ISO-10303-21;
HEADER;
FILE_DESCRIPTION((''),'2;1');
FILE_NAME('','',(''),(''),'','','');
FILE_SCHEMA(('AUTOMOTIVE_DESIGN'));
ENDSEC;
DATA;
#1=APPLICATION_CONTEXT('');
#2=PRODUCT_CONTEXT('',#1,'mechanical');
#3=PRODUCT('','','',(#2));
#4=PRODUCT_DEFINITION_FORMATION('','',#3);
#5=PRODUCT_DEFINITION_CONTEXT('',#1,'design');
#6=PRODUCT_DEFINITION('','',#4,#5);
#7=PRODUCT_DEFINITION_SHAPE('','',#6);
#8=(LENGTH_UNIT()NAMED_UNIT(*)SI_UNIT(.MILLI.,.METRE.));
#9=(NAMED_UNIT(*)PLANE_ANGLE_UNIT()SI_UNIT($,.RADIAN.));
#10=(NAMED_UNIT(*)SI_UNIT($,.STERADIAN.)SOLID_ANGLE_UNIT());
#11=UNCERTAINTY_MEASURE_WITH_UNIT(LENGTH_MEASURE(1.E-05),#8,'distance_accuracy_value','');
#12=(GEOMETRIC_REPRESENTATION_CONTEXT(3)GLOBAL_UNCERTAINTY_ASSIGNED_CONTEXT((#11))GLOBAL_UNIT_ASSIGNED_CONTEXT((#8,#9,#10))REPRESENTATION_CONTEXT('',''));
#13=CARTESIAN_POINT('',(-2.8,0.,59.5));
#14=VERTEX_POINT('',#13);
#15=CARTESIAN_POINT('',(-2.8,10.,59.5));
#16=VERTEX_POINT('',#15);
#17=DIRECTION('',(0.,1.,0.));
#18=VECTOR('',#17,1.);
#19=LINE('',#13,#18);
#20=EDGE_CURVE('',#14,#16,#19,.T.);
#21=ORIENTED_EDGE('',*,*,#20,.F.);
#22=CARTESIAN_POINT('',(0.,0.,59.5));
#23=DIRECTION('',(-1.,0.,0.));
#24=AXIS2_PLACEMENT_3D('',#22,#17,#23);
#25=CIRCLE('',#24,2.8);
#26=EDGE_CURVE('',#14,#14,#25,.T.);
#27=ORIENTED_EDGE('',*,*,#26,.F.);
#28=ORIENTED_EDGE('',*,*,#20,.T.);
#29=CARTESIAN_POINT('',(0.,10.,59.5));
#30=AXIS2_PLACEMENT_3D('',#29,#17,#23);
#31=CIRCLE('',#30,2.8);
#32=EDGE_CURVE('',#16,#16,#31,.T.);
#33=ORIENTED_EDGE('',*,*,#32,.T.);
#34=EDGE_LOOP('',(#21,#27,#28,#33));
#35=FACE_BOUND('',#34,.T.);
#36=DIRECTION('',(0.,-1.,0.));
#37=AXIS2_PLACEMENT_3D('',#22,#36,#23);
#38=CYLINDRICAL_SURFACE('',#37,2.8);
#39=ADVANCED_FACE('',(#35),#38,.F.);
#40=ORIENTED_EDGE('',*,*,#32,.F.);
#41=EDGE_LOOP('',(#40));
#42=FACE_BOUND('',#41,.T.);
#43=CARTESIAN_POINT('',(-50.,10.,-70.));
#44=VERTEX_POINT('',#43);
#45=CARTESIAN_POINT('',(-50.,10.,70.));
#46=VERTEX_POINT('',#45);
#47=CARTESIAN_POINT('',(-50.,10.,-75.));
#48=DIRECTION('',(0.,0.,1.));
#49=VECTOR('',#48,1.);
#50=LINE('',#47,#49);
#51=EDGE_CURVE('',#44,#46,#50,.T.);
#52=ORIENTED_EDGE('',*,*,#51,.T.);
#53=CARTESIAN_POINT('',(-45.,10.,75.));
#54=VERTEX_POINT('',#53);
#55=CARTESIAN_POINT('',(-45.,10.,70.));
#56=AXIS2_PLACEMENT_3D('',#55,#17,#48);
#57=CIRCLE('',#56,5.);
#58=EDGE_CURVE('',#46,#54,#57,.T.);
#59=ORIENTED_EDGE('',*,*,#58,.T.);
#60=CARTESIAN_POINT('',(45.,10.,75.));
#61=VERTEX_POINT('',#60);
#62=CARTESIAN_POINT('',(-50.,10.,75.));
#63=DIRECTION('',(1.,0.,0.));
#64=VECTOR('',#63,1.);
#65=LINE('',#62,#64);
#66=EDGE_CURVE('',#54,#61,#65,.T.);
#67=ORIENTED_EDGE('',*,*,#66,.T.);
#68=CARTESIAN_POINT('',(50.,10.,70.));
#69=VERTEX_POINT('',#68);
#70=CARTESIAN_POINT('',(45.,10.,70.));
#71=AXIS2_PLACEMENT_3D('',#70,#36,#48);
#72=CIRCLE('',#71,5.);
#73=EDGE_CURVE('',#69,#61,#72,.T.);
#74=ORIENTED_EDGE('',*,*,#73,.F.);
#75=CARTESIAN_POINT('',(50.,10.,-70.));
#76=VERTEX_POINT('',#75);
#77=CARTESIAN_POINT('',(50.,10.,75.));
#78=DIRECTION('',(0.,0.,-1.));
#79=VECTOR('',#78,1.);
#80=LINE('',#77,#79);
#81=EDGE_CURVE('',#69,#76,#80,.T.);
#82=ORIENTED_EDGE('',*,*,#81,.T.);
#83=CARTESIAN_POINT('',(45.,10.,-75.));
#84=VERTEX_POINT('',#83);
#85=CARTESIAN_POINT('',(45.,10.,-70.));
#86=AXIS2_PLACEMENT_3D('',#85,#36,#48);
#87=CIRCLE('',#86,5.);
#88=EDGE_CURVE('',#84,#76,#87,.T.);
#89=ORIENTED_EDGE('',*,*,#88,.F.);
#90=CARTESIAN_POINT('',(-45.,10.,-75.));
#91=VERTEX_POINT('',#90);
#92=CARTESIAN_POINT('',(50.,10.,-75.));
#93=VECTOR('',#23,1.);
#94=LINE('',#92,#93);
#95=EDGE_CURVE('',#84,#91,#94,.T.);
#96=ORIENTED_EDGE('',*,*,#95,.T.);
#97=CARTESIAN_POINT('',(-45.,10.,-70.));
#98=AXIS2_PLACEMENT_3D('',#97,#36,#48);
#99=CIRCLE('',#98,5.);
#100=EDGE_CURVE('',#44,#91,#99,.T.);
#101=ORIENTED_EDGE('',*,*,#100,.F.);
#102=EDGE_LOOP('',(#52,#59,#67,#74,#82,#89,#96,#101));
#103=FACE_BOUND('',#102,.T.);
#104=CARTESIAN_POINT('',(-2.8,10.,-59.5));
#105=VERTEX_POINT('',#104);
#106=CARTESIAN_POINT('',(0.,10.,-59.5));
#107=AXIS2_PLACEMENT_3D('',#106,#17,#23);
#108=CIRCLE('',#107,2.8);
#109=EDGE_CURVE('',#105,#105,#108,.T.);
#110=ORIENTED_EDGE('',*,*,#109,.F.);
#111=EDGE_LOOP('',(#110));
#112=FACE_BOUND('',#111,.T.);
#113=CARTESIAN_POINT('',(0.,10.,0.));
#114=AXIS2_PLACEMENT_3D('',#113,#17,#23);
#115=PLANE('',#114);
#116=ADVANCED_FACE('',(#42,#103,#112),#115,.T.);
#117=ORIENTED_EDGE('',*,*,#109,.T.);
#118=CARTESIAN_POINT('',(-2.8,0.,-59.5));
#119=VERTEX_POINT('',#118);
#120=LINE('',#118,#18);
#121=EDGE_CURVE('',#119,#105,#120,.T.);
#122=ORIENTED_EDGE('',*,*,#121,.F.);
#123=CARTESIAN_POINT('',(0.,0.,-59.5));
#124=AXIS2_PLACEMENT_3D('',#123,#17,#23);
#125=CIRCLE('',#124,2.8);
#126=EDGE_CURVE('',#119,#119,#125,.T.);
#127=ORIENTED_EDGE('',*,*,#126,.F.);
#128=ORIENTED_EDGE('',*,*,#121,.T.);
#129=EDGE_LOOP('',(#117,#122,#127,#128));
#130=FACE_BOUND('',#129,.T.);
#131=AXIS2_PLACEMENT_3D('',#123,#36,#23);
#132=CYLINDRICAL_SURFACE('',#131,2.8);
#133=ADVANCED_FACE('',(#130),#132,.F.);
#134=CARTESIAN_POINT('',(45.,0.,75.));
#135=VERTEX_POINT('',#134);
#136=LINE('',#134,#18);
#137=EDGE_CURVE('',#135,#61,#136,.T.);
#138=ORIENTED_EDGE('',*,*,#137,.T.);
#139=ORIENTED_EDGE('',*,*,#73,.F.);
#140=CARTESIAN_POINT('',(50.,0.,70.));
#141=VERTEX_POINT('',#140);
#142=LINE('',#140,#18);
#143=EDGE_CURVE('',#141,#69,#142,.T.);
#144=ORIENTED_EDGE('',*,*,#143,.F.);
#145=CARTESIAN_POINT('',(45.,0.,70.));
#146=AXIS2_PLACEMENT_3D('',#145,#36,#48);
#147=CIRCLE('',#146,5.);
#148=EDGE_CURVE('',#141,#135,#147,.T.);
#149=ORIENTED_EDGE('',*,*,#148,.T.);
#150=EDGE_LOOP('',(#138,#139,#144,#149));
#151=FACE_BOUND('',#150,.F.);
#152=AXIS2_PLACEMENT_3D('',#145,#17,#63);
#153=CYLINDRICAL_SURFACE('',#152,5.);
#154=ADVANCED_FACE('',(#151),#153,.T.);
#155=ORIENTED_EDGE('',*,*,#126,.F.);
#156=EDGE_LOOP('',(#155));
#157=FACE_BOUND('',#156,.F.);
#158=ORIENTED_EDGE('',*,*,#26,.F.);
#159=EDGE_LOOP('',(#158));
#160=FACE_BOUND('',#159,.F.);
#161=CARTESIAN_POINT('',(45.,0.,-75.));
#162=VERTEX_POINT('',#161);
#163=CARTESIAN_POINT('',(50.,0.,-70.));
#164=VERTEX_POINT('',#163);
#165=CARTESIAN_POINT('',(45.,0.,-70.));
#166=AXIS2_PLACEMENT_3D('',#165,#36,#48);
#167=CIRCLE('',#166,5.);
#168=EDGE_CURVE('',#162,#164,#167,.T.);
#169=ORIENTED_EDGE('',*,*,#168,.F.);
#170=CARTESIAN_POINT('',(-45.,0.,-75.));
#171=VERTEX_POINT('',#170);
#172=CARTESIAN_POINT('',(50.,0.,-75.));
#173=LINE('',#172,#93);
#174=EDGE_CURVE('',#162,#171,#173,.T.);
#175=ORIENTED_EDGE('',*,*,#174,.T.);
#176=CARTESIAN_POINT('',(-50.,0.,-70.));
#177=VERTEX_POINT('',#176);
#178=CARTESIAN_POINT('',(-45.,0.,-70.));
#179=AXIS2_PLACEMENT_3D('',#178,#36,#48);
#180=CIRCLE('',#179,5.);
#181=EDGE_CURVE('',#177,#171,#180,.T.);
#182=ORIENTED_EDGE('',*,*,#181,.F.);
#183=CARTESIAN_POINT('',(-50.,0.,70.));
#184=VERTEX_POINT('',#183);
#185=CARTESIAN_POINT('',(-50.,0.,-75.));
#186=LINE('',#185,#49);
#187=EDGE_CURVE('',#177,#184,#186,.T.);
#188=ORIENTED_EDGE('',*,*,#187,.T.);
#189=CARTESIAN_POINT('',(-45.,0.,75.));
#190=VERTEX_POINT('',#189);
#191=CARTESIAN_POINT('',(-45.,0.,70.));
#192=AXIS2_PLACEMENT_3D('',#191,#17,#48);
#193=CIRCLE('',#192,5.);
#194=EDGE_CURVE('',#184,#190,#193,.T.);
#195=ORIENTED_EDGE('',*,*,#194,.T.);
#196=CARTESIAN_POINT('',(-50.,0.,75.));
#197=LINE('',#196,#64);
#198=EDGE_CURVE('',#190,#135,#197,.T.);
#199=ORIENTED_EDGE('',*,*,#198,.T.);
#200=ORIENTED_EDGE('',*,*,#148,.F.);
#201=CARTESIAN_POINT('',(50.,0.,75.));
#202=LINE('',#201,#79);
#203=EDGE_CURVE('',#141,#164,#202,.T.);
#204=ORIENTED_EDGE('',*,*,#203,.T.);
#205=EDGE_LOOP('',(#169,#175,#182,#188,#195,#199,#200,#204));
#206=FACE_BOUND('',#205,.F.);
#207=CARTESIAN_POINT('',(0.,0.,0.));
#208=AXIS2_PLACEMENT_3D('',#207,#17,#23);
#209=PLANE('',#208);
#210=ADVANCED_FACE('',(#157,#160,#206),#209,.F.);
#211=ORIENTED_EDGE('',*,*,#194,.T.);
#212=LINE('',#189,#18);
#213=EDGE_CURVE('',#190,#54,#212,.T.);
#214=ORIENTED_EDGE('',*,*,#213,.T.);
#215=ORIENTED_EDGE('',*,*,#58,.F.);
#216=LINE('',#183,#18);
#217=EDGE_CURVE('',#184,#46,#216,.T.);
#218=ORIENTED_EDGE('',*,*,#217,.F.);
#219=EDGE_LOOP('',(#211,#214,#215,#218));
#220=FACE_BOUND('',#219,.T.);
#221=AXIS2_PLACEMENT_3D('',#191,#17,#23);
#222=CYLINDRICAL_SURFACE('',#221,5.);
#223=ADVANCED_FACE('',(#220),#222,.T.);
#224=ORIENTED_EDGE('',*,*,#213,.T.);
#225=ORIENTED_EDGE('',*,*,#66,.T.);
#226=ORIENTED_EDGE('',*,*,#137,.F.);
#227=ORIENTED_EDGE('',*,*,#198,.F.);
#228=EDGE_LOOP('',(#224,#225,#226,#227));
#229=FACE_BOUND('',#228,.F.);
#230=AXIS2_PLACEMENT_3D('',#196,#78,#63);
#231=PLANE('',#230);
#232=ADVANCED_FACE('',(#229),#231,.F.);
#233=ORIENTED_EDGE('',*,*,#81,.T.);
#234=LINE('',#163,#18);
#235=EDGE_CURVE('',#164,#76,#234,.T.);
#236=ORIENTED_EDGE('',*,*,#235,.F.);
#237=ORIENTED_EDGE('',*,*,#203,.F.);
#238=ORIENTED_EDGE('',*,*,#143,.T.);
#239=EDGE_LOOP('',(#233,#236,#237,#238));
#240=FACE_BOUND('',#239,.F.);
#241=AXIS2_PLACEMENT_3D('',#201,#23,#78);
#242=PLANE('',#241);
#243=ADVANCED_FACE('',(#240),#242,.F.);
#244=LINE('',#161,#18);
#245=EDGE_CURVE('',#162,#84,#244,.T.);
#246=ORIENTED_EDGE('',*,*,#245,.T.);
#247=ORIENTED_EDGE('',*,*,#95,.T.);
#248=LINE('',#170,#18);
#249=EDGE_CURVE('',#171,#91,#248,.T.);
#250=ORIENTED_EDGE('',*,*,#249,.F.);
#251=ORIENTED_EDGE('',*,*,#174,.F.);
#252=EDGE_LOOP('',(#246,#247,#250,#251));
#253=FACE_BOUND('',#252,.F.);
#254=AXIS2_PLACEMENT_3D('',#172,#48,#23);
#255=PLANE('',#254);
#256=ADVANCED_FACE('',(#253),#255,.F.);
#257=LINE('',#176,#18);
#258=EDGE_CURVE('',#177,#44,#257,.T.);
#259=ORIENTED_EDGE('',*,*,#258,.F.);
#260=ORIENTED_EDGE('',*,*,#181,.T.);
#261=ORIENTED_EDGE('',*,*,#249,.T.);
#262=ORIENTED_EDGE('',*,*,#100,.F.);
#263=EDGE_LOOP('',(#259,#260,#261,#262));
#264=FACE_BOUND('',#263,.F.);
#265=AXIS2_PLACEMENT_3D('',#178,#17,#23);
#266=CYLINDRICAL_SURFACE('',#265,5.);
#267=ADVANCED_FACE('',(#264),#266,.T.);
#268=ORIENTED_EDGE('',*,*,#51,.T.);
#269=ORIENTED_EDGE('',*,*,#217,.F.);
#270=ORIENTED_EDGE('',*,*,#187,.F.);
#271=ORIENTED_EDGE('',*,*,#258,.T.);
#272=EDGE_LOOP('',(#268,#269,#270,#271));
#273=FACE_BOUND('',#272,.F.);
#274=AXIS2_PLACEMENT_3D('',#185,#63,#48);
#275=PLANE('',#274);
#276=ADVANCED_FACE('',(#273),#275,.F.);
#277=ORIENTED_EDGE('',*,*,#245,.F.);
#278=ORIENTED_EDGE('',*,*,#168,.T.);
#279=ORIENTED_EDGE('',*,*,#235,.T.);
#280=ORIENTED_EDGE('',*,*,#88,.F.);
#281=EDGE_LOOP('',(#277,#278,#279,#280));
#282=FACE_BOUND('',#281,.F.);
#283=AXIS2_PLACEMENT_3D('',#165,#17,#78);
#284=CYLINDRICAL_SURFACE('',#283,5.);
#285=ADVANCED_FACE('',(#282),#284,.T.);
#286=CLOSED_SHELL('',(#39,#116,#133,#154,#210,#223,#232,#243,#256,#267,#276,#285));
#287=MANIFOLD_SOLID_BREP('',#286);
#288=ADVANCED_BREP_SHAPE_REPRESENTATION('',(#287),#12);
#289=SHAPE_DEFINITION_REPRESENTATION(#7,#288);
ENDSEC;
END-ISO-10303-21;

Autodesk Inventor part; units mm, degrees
ref_plane "YZ Plane" through (0, 0, 0) normal (1, 0, 0) x (0, 1, 0)
ref_plane "XZ Plane" through (0, 0, 0) normal (0, 1, 0) x (-1, 0, 0)
ref_plane "XY Plane" through (0, 0, 0) normal (0, 0, 1) x (1, 0, 0)
sketch "Sketch1" plane through (0, 0, 0) normal (0, 1, 0) x (-1, 0, 0)
  line L0 (50, 75) -> (-50, 75)
  line L1 (-50, 75) -> (-50, -75)
  line L2 (-50, -75) -> (50, -75)
  line L3 (50, -75) -> (50, 75)
  line L4 (50, 75) -> (-50, -75) construction
  line L5 (-50, 75) -> (50, -75) construction
  circle A0 centre (0, 59.5) radius 2.8
  line L6 (0, 0) -> (50, 0) construction
  circle A1 centre (0, -59.5) radius 2.8
  dimension "d0" = 150
  dimension "d1" = 100
  dimension "d2" = 59.5
  dimension "d3" = 5.6
extrude "Extrusion1" add sketch "Sketch1" along normal blind 10
fillet "Fillet1" radius 5 4 edges at (50, 5, 75) (50, 5, -75) (-50, 5, 75) (-50, 5, -75)
properties part number "Base"
